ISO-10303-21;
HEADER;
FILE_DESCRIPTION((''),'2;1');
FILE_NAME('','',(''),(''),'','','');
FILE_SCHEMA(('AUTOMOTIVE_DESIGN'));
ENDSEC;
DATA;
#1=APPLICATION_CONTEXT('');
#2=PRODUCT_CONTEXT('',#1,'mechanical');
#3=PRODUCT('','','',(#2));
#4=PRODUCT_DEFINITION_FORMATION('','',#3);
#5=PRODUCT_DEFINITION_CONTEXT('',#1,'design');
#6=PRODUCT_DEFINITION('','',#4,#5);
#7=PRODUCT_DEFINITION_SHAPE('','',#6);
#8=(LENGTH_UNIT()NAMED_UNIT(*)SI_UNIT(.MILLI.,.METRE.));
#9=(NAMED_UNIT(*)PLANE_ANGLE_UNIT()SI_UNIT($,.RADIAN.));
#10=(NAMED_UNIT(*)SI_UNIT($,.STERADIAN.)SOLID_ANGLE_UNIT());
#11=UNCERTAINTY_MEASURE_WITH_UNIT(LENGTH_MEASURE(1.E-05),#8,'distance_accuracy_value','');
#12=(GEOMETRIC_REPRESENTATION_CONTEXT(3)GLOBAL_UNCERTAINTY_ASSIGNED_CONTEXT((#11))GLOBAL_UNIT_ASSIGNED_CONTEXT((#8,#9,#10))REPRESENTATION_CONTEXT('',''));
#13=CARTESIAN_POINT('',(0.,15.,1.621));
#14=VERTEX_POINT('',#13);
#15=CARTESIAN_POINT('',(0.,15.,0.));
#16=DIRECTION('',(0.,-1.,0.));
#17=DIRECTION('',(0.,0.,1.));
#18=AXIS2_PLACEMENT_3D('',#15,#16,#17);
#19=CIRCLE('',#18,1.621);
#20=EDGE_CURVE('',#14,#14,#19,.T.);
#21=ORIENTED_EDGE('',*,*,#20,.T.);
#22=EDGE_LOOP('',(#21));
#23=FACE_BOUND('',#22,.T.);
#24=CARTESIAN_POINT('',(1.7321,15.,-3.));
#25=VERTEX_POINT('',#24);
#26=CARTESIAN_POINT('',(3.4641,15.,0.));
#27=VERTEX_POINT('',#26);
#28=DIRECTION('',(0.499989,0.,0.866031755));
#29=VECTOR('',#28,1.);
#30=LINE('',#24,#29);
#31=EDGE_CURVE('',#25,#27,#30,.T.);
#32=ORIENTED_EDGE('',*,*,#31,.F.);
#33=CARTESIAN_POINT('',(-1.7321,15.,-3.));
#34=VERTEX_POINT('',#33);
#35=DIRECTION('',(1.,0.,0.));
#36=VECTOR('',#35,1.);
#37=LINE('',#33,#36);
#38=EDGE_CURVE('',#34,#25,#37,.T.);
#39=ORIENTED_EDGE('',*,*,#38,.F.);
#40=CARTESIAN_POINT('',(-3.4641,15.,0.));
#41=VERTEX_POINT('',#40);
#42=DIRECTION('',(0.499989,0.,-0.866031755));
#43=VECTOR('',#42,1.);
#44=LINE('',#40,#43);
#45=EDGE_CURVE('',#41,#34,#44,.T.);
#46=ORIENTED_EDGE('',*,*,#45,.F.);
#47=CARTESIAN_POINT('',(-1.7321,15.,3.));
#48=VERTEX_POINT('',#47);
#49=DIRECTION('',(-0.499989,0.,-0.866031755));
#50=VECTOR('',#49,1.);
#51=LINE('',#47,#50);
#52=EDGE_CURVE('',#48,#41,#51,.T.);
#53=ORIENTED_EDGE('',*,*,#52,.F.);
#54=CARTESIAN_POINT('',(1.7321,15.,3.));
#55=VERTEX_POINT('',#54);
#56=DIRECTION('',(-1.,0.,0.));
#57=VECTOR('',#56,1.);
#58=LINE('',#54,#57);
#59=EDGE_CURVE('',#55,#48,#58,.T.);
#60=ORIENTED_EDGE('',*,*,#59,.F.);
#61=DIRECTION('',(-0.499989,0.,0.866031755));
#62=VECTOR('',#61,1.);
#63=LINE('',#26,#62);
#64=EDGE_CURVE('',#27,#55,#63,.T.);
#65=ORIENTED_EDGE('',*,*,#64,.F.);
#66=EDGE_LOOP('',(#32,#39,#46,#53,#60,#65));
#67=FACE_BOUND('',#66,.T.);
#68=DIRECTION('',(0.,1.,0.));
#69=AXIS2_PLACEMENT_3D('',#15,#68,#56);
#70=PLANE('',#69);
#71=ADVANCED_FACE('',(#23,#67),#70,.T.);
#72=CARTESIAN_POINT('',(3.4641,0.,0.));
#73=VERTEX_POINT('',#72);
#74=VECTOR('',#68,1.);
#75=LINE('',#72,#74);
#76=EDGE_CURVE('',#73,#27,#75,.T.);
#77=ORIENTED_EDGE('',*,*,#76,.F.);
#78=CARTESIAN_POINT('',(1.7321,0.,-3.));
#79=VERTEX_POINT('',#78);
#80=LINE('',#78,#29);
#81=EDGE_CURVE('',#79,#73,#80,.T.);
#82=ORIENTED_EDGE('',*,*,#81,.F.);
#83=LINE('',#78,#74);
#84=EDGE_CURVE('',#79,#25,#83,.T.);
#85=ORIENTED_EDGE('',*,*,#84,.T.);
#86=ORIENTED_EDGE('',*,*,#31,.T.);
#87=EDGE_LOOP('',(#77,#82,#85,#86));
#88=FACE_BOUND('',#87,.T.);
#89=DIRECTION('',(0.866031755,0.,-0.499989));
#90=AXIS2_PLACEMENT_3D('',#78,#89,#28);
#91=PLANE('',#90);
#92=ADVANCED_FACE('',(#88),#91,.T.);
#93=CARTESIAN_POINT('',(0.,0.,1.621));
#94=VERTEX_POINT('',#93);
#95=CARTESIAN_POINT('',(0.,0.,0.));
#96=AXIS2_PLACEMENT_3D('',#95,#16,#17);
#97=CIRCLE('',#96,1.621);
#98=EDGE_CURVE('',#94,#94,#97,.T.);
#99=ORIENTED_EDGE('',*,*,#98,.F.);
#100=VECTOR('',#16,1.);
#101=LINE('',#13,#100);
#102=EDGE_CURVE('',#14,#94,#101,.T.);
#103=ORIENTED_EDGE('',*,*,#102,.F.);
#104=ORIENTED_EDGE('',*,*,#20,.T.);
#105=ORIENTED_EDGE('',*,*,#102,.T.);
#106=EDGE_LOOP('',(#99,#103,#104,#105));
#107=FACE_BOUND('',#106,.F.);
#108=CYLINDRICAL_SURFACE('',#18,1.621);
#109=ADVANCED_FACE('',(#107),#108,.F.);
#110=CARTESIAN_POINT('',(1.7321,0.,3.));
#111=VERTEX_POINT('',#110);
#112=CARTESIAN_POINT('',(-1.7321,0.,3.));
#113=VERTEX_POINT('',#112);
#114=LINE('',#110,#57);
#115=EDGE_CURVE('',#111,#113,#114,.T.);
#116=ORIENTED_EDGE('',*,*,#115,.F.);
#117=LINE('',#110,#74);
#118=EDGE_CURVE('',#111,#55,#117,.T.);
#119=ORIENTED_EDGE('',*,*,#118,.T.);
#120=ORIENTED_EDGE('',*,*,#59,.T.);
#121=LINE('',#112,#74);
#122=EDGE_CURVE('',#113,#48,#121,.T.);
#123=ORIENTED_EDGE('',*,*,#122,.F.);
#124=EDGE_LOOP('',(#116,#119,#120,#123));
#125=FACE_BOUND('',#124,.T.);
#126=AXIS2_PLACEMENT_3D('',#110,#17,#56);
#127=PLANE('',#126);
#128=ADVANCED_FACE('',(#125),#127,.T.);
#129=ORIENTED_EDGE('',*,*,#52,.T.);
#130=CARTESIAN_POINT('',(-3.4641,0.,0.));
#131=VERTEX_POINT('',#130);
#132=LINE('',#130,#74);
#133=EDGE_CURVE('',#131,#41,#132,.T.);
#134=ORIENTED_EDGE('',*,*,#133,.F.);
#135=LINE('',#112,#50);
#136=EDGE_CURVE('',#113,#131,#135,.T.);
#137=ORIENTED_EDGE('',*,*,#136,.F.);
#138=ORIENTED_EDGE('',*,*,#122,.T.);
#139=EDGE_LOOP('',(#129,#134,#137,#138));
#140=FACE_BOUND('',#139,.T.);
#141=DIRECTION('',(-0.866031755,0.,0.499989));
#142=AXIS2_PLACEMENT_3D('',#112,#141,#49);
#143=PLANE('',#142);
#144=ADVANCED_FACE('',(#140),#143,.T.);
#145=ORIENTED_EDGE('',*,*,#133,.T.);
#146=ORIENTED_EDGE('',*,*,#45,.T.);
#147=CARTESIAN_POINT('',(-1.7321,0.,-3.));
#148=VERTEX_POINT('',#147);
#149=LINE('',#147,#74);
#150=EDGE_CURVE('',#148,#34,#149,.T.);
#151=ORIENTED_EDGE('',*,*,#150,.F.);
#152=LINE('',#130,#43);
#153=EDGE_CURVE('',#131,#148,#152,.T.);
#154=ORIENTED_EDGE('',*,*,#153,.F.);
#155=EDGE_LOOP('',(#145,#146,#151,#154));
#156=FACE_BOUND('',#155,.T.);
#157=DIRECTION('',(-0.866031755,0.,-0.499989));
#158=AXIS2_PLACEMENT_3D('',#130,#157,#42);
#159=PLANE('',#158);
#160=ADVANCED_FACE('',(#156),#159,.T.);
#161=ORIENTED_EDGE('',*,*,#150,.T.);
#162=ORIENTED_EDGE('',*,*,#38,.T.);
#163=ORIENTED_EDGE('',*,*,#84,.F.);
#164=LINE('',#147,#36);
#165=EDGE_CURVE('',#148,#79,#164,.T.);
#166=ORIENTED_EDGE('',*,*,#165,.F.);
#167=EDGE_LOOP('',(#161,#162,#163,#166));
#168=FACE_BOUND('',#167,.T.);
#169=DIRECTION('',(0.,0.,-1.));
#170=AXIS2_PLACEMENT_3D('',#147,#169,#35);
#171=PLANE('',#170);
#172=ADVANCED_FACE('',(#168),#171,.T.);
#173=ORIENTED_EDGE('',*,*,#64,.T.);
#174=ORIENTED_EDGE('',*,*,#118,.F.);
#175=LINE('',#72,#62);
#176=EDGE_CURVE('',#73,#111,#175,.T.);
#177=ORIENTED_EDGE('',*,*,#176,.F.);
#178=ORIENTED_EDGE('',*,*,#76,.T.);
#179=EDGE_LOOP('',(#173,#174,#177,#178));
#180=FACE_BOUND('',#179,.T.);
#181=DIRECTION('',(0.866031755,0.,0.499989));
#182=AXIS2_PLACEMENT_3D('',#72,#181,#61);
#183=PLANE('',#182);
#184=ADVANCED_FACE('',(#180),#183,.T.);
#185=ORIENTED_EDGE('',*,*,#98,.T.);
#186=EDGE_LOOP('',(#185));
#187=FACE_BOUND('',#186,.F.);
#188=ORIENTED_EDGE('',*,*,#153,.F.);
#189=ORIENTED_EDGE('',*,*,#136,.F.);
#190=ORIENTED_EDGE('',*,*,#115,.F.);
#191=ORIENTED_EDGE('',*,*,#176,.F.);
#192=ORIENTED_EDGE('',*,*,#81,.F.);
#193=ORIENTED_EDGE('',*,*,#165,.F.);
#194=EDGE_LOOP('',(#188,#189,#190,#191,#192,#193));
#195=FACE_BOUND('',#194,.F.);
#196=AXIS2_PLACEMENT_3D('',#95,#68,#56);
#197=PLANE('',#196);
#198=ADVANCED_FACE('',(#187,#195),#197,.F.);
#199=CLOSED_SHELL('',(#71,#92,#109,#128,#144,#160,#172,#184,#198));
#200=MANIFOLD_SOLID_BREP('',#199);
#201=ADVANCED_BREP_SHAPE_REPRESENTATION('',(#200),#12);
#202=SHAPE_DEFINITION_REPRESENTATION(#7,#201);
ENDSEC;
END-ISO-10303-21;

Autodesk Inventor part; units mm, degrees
ref_plane "YZ Plane" through (0, 0, 0) normal (1, 0, 0) x (0, 1, 0)
ref_plane "XZ Plane" through (0, 0, 0) normal (0, 1, 0) x (-1, 0, 0)
ref_plane "XY Plane" through (0, 0, 0) normal (0, 0, 1) x (1, 0, 0)
sketch "Sketch1" plane through (0, 0, 0) normal (0, 1, 0) x (-1, 0, 0)
  line L0 (-1.7321, -3) -> (-3.4641, 0)
  line L1 (-3.4641, 0) -> (-1.7321, 3)
  line L2 (-1.7321, 3) -> (1.7321, 3)
  line L3 (1.7321, 3) -> (3.4641, 0)
  line L4 (3.4641, 0) -> (1.7321, -3)
  line L5 (1.7321, -3) -> (-1.7321, -3)
  point P0 (0, 0)
  point P1 (0, 0)
  dimension "d0" = 3
extrude "Extrusion1" add sketch "Sketch1" along normal blind 15
sketch "Sketch2" plane through (0, 15, 0) normal (0, 1, 0) x (1, 0, 0)
  point P0 (0, 0)
hole "Hole1" at (0, 15, 0) direction (0, -1, 0) diameter 3.242 end through all thread size "M4x0.7" class "6H" standard "ISO Metric profile"
properties part number "StandoffM4x15A" material "Brass, Soft Yellow"
